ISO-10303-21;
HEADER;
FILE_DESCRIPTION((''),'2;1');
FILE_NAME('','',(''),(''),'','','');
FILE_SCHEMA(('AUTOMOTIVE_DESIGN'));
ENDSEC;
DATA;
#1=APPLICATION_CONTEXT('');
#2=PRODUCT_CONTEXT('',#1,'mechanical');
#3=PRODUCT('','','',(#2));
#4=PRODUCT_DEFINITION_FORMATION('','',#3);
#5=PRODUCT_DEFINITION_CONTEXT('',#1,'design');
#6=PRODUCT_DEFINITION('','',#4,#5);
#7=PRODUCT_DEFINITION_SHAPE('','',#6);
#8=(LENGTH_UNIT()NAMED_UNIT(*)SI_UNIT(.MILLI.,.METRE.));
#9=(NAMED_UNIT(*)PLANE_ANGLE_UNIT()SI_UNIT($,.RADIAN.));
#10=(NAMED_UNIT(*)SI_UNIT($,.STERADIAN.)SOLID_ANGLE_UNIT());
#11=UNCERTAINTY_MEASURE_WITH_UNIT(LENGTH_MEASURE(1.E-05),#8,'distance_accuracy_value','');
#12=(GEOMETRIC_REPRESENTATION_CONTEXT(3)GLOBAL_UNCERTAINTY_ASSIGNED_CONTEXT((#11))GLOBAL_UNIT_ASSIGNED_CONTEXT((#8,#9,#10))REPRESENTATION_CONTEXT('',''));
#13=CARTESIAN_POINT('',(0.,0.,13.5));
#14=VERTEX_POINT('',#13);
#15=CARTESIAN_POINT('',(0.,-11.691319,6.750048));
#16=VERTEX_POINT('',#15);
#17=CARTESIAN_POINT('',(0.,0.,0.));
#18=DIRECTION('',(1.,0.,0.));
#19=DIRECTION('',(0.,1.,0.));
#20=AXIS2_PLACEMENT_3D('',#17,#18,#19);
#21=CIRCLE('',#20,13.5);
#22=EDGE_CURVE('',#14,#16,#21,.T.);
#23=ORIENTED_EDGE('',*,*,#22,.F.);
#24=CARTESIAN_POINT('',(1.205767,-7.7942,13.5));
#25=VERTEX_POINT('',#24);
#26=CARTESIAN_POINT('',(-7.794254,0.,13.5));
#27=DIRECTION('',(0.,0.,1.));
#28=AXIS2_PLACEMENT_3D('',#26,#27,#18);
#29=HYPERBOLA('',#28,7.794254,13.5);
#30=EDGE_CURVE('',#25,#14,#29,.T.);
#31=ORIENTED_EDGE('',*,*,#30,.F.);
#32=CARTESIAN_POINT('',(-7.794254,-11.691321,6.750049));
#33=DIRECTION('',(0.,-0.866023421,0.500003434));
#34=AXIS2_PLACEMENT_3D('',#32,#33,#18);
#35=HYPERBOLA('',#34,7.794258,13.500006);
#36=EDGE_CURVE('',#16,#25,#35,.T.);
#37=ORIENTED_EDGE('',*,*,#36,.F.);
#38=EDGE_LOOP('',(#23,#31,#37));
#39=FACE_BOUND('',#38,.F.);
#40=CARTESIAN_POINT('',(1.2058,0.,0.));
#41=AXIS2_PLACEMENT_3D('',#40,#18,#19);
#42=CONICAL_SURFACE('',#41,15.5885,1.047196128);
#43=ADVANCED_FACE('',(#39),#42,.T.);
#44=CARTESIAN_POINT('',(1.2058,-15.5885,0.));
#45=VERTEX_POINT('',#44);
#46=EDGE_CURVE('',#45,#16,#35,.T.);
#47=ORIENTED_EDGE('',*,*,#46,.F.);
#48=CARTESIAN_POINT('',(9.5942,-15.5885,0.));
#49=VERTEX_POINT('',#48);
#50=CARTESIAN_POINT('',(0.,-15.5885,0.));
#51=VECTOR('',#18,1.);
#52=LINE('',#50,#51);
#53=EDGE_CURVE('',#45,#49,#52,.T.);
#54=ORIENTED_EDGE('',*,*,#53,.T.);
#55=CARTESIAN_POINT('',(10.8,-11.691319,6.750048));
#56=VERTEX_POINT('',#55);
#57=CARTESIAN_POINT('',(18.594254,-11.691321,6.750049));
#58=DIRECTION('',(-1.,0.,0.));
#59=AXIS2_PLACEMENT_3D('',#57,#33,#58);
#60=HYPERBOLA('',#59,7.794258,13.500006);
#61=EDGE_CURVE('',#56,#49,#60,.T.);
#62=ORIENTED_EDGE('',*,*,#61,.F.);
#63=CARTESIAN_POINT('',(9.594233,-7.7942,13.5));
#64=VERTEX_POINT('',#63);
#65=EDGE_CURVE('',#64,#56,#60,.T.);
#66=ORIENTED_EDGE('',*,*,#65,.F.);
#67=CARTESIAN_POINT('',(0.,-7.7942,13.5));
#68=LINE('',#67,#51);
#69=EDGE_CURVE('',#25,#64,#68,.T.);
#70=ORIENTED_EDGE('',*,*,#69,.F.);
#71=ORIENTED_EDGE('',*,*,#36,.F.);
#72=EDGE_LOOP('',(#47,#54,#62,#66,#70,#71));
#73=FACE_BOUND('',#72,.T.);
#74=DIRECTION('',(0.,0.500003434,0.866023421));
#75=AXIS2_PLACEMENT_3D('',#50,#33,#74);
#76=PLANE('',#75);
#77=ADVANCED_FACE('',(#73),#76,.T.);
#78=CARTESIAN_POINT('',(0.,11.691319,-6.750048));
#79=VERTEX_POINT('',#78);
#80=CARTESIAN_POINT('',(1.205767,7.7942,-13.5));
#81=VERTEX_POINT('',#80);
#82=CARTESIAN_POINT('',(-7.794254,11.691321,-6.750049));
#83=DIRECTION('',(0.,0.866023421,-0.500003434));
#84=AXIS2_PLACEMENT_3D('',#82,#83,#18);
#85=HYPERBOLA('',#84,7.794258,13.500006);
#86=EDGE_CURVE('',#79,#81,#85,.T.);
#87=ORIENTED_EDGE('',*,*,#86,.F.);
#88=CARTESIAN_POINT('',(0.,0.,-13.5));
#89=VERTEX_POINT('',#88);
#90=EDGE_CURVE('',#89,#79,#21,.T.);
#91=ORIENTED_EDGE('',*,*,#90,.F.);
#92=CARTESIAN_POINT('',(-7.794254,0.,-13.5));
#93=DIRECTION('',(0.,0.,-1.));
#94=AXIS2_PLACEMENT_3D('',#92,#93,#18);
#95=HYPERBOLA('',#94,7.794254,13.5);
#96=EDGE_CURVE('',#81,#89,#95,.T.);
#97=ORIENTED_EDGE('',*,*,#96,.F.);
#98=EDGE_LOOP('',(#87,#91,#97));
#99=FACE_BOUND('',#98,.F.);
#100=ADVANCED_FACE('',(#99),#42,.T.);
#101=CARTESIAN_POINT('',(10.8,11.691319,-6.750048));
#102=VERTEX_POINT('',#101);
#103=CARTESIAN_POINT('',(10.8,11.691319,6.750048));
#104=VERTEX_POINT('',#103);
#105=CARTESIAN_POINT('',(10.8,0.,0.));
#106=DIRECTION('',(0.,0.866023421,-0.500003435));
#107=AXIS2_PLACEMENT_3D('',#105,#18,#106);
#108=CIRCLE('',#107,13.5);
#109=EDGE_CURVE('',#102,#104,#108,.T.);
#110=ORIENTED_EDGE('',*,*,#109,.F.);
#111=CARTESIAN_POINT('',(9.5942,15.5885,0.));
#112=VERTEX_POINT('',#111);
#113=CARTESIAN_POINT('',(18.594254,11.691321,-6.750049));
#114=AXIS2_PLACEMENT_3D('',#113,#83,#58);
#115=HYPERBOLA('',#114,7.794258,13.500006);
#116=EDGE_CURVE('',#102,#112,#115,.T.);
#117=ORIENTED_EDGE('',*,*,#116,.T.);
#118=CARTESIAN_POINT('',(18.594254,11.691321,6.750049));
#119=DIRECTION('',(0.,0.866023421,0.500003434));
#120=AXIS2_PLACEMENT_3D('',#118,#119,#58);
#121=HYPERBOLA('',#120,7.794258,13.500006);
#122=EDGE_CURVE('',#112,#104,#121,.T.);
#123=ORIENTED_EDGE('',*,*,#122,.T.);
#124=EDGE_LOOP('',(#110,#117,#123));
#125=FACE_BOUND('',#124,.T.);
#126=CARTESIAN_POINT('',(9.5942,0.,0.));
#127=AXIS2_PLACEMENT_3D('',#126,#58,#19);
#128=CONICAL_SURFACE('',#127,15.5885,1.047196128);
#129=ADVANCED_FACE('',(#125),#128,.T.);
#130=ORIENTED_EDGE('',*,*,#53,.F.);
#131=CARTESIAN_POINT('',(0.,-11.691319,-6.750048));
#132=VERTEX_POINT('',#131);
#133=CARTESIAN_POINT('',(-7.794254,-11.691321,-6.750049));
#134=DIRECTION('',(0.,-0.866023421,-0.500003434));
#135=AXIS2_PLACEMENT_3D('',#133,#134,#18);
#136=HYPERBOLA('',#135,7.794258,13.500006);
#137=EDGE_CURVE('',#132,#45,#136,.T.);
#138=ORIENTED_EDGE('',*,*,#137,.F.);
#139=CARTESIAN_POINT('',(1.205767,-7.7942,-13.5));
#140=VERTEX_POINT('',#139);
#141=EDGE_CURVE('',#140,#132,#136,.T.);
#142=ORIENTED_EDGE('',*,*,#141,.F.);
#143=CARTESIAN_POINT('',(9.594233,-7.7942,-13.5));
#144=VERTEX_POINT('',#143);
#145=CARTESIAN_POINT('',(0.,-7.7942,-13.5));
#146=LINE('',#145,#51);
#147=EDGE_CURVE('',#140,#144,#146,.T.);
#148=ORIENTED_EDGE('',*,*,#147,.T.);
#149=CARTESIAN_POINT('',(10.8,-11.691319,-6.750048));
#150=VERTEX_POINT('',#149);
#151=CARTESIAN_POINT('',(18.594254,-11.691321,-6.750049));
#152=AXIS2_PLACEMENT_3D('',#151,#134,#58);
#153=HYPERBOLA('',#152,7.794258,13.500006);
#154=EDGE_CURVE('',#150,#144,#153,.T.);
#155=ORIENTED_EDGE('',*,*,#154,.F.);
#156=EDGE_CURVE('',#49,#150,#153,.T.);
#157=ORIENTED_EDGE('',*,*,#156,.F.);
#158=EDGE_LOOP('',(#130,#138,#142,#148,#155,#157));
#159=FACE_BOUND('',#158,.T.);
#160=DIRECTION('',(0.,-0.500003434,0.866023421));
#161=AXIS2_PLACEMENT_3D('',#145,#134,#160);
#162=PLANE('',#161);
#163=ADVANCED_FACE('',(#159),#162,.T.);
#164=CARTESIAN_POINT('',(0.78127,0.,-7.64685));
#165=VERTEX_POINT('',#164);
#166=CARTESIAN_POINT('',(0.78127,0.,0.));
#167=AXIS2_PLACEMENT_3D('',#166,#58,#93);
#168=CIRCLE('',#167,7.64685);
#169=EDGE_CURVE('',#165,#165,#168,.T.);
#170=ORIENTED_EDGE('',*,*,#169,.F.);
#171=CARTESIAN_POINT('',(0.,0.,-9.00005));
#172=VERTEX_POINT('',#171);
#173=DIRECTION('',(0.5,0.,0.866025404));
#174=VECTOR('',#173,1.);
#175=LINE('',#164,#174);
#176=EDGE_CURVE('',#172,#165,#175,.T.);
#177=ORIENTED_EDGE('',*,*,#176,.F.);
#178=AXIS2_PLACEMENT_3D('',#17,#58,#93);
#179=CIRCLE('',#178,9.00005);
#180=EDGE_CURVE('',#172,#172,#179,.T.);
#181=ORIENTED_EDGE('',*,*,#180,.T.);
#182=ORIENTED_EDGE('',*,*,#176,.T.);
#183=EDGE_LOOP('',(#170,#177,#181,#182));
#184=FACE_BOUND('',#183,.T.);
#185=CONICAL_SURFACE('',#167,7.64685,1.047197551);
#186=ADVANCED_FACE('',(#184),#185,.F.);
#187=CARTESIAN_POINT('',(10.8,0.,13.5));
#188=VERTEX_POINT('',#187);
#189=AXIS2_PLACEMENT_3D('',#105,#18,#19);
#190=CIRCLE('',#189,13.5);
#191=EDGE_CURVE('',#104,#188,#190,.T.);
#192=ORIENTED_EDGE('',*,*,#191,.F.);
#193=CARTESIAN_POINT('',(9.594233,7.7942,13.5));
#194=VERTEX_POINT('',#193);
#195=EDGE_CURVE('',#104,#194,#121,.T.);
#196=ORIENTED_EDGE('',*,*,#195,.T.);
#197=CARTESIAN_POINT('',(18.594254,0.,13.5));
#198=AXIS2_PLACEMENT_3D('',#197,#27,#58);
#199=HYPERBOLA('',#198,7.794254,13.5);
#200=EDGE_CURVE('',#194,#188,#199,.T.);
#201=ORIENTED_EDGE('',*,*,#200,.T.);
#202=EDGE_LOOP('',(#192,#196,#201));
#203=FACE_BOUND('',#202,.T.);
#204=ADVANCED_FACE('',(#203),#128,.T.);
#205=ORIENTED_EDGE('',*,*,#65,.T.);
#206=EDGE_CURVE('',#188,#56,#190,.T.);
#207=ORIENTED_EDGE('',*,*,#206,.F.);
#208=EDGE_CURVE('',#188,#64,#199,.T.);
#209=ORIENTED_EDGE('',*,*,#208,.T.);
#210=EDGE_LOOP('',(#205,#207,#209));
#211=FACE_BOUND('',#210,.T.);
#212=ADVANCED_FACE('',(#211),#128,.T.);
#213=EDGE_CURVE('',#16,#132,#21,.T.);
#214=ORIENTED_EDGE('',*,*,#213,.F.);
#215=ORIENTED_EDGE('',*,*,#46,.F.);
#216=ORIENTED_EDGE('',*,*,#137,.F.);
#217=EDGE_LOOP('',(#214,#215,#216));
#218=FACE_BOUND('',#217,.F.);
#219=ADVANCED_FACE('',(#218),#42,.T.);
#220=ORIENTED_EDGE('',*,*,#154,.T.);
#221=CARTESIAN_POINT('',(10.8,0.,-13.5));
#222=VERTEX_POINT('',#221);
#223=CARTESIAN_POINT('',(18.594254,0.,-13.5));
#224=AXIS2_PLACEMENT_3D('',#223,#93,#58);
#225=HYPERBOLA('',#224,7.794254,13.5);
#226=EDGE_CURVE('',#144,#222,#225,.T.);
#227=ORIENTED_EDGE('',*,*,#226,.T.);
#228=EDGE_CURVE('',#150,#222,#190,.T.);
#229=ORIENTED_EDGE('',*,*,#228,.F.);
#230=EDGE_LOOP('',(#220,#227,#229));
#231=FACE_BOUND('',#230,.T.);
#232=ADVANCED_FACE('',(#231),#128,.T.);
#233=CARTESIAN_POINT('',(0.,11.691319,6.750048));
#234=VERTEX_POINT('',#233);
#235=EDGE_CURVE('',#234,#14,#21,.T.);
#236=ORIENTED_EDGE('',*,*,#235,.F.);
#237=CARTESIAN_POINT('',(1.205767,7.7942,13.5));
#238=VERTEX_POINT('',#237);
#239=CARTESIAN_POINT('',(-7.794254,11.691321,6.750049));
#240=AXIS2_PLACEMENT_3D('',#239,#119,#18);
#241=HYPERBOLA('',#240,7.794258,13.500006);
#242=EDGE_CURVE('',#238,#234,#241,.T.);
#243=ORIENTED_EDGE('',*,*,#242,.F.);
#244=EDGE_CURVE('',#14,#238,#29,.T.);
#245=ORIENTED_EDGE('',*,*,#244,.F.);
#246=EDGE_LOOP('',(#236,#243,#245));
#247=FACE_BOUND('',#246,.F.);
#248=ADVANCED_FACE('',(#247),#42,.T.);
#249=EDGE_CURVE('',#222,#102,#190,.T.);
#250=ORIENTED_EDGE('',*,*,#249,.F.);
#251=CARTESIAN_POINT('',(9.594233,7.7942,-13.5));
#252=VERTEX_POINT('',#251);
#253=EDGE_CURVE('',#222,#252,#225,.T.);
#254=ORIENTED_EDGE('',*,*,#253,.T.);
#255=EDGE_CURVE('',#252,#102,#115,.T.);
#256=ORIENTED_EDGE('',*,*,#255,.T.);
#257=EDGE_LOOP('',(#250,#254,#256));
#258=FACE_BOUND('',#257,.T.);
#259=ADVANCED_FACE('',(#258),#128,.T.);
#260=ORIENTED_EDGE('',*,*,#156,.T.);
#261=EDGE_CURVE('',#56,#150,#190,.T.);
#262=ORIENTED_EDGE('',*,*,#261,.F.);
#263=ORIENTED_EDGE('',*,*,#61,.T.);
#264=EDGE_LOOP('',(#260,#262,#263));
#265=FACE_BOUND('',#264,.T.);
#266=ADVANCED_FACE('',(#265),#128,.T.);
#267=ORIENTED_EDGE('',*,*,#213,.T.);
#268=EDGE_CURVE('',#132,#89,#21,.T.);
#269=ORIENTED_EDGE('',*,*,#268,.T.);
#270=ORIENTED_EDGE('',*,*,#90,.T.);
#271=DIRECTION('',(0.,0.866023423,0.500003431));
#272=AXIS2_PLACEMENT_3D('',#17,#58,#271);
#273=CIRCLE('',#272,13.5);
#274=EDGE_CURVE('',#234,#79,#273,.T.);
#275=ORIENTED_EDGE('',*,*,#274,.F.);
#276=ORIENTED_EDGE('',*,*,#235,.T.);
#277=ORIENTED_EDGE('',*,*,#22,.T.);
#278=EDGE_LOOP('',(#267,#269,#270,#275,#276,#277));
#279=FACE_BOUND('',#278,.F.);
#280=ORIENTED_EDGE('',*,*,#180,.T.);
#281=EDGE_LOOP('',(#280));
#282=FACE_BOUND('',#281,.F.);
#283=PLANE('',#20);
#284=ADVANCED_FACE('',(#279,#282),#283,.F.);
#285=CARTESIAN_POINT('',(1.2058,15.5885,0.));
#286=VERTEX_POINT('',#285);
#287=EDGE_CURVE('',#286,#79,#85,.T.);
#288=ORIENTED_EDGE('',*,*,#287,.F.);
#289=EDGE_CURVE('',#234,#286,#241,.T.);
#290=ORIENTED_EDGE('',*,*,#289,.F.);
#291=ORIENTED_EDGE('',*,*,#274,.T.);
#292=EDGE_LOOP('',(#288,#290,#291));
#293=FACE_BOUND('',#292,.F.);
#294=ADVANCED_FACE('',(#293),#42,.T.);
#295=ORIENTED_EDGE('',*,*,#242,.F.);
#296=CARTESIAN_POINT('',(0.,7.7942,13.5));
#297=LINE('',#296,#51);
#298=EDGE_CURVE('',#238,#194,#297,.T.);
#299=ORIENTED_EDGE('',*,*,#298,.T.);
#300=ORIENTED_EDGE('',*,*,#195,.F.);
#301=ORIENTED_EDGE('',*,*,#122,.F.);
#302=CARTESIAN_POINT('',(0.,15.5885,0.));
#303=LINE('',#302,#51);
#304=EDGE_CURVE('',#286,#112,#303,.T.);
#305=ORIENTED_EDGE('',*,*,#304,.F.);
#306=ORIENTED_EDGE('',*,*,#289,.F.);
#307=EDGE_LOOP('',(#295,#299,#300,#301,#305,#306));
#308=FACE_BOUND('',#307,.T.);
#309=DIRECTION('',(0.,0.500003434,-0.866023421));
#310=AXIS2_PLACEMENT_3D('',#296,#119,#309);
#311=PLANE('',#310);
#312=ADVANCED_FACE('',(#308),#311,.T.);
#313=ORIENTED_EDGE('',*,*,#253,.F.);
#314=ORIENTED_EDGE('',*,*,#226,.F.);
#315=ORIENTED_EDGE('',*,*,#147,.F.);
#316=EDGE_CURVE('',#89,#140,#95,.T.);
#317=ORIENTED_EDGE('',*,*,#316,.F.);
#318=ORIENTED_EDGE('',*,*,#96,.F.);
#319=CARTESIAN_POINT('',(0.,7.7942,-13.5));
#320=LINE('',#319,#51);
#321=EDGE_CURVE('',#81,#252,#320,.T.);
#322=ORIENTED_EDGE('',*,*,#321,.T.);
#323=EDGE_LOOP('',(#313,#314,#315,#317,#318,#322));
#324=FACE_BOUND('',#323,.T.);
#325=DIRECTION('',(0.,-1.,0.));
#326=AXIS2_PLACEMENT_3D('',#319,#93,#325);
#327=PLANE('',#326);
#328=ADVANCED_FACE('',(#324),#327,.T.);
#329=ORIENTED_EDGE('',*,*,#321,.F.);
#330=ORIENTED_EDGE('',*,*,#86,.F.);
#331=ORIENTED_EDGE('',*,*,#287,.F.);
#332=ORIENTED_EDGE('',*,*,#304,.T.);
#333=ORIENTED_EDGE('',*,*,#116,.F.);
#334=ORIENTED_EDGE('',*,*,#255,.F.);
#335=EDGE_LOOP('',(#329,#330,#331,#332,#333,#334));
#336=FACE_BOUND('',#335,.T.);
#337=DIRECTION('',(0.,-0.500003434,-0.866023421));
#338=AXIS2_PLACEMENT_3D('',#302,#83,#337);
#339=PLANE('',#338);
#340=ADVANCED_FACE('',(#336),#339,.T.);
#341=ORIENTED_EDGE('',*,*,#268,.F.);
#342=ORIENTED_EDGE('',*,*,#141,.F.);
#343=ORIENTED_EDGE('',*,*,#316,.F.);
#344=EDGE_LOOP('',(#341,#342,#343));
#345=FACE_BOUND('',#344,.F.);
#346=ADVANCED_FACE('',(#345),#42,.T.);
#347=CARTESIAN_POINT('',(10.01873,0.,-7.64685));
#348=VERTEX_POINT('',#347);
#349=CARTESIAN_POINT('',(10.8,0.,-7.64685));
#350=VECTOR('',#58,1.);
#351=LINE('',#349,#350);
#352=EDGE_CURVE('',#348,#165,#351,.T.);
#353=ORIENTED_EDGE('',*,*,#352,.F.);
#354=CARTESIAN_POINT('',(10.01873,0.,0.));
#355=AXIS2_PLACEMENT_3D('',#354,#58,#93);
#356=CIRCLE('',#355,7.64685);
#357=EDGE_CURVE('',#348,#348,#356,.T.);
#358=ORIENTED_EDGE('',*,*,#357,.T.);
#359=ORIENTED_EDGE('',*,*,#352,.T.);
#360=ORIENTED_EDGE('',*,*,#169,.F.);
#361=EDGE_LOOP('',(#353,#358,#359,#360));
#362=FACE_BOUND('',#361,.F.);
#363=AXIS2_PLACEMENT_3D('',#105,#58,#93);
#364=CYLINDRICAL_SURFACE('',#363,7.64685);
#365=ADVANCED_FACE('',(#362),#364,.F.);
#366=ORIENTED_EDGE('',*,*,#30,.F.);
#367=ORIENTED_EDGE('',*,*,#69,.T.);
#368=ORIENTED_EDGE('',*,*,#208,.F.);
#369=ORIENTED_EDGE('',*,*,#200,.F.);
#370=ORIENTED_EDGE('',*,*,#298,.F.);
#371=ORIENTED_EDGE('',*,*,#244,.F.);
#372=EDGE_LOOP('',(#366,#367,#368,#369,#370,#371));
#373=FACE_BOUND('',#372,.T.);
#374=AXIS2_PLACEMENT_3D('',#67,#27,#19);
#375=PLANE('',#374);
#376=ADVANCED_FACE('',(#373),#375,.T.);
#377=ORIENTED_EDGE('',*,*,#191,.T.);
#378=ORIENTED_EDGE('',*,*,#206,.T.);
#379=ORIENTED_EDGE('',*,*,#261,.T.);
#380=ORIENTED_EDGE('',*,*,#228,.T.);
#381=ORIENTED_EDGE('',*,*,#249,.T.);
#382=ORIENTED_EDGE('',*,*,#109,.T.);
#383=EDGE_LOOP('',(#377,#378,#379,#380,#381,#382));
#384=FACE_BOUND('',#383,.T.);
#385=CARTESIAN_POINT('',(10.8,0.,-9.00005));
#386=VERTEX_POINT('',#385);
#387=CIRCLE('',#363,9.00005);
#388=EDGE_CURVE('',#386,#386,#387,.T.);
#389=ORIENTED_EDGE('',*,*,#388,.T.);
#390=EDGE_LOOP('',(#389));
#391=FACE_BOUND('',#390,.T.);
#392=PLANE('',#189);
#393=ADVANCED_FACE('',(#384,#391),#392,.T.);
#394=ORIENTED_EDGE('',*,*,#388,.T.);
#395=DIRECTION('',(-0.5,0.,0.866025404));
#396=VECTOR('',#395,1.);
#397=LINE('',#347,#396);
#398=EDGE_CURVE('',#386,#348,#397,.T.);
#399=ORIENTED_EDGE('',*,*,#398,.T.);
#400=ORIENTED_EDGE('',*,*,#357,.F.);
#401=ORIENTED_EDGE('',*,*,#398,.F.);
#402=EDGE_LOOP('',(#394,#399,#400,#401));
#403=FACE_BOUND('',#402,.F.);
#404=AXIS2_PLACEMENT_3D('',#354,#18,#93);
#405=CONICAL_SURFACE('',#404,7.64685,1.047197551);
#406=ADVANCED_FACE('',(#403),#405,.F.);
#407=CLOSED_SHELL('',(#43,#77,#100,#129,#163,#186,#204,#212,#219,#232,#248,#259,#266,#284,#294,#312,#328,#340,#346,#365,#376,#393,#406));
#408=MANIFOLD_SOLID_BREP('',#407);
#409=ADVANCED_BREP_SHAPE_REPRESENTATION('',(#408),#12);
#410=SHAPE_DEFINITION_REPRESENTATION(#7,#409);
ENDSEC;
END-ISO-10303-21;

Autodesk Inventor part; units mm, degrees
ref_plane "YZ Plane" through (0, 0, 0) normal (1, 0, 0) x (0, 1, 0)
ref_plane "XZ Plane" through (0, 0, 0) normal (0, 1, 0) x (-1, 0, 0)
sketch "Schizzo1" plane through (0, 0, 0) normal (1, 0, 0) x (0, 1, 0)
  line L0 (-15.5885, 0) -> (-7.7942, 13.5)
  line L1 (-7.7942, 13.5) -> (7.7942, 13.5)
  line L2 (7.7942, 13.5) -> (15.5885, 0)
  line L3 (15.5885, 0) -> (7.7942, -13.5)
  line L4 (7.7942, -13.5) -> (-7.7942, -13.5)
  line L5 (-7.7942, -13.5) -> (-15.5885, 0)
  point P0 (0, 0)
  point P1 (0, 0)
  dimension "d0" = 31.1769
extrude "Corpo" add sketch "Schizzo1" along normal blind 10.8
sketch "Schizzo2" plane through (0, 0, 0) normal (0, 0, 1) x (1, 0, 0)
  line L0 (0, 7.7942) -> (0, 15.5885) projected
  line L1 (0, 15.5885) -> (10.8, 15.5885) projected
  line L2 (10.8, 7.7942) -> (10.8, 15.5885) projected
  line L3 (-2.16, 0) -> (12.96, 0) projected
  line L4 (1.2058, 15.5885) -> (0, 13.5)
  line L5 (9.5942, 15.5885) -> (10.8, 13.5)
  dimension "d3" = 30
  dimension "d4" = 30
  dimension "d5" = 27
  dimension "d6" = 27
revolve "Smusso1" cut sketch "Schizzo2" angle 360 about axis through (-10, 0, 0) along (1, 0, 0)
sketch "Schizzo3" plane through (10.8, 0, 0) normal (1, 0, 0) x (0, 0, -1)
  arc A0 (-6.75, -11.6913) -> (6.75, -11.6913) centre (0, 0) ccw projected
hole "Filettatura" at (10.8, 0, 0) direction (-1, 0, 0) diameter 15.2937 end through all thread size "M18x2.5" class "6H" standard "ISO Metric profile"
chamfer "Smusso2" distance 1.3532 angle 30 1 edges at (10.8, 0, 7.6468) measured on face at (10.8, 11.4811, 0.3072)
chamfer "Smusso3" distance 1.3532 angle 30 1 edges at (0, 0, 7.6468) measured on face at (0, 11.4811, 0.3072)
ref_plane "Work Plane1" through (-31.8338, 0, 0) normal (0, -0.866, -0.5) x (1, 0, 0)
equation "\"d0\" = 1.1547 * SW"
equation "\"d1\" = KOH"
equation "\"d3\" = ANG1"
equation "\"d4\" = ANG2"
equation "\"d5\" = SW0"
equation "\"d6\" = SW01"
equation "\"d8\" = -0.5 * GD1 + 0.5 * NND"
equation "\"d40\" = -0.5 * GD1 + 0.5 * NND"
equation "\"d10\" = -0.5 * GD1 + 0.5 * NND"
equation "\"d41\" = -0.5 * GD1 + 0.5 * NND"
equation "\"ANG1\" = 30deg"
equation "\"ANG2\" = 30deg"
equation "\"NND\" = 18"
equation "\"KOH\" = 10.8"
equation "\"SW\" = 27"
equation "\"SW0\" = SW"
equation "\"SW01\" = SW"
equation "\"GUL\" = 0.541266 * PTC"
equation "\"THREADDIA\" = 18"
equation "\"TOA\" = 30deg"
equation "\"PTC\" = 2.5"
equation "\"E0\" = 1.155 * SW"
equation "\"GAL\" = 0.541266 * PTC"
equation "\"GD1\" = 15.293671"
properties part number "AS 1112 - M18" material "Acciaio, Dolce"
